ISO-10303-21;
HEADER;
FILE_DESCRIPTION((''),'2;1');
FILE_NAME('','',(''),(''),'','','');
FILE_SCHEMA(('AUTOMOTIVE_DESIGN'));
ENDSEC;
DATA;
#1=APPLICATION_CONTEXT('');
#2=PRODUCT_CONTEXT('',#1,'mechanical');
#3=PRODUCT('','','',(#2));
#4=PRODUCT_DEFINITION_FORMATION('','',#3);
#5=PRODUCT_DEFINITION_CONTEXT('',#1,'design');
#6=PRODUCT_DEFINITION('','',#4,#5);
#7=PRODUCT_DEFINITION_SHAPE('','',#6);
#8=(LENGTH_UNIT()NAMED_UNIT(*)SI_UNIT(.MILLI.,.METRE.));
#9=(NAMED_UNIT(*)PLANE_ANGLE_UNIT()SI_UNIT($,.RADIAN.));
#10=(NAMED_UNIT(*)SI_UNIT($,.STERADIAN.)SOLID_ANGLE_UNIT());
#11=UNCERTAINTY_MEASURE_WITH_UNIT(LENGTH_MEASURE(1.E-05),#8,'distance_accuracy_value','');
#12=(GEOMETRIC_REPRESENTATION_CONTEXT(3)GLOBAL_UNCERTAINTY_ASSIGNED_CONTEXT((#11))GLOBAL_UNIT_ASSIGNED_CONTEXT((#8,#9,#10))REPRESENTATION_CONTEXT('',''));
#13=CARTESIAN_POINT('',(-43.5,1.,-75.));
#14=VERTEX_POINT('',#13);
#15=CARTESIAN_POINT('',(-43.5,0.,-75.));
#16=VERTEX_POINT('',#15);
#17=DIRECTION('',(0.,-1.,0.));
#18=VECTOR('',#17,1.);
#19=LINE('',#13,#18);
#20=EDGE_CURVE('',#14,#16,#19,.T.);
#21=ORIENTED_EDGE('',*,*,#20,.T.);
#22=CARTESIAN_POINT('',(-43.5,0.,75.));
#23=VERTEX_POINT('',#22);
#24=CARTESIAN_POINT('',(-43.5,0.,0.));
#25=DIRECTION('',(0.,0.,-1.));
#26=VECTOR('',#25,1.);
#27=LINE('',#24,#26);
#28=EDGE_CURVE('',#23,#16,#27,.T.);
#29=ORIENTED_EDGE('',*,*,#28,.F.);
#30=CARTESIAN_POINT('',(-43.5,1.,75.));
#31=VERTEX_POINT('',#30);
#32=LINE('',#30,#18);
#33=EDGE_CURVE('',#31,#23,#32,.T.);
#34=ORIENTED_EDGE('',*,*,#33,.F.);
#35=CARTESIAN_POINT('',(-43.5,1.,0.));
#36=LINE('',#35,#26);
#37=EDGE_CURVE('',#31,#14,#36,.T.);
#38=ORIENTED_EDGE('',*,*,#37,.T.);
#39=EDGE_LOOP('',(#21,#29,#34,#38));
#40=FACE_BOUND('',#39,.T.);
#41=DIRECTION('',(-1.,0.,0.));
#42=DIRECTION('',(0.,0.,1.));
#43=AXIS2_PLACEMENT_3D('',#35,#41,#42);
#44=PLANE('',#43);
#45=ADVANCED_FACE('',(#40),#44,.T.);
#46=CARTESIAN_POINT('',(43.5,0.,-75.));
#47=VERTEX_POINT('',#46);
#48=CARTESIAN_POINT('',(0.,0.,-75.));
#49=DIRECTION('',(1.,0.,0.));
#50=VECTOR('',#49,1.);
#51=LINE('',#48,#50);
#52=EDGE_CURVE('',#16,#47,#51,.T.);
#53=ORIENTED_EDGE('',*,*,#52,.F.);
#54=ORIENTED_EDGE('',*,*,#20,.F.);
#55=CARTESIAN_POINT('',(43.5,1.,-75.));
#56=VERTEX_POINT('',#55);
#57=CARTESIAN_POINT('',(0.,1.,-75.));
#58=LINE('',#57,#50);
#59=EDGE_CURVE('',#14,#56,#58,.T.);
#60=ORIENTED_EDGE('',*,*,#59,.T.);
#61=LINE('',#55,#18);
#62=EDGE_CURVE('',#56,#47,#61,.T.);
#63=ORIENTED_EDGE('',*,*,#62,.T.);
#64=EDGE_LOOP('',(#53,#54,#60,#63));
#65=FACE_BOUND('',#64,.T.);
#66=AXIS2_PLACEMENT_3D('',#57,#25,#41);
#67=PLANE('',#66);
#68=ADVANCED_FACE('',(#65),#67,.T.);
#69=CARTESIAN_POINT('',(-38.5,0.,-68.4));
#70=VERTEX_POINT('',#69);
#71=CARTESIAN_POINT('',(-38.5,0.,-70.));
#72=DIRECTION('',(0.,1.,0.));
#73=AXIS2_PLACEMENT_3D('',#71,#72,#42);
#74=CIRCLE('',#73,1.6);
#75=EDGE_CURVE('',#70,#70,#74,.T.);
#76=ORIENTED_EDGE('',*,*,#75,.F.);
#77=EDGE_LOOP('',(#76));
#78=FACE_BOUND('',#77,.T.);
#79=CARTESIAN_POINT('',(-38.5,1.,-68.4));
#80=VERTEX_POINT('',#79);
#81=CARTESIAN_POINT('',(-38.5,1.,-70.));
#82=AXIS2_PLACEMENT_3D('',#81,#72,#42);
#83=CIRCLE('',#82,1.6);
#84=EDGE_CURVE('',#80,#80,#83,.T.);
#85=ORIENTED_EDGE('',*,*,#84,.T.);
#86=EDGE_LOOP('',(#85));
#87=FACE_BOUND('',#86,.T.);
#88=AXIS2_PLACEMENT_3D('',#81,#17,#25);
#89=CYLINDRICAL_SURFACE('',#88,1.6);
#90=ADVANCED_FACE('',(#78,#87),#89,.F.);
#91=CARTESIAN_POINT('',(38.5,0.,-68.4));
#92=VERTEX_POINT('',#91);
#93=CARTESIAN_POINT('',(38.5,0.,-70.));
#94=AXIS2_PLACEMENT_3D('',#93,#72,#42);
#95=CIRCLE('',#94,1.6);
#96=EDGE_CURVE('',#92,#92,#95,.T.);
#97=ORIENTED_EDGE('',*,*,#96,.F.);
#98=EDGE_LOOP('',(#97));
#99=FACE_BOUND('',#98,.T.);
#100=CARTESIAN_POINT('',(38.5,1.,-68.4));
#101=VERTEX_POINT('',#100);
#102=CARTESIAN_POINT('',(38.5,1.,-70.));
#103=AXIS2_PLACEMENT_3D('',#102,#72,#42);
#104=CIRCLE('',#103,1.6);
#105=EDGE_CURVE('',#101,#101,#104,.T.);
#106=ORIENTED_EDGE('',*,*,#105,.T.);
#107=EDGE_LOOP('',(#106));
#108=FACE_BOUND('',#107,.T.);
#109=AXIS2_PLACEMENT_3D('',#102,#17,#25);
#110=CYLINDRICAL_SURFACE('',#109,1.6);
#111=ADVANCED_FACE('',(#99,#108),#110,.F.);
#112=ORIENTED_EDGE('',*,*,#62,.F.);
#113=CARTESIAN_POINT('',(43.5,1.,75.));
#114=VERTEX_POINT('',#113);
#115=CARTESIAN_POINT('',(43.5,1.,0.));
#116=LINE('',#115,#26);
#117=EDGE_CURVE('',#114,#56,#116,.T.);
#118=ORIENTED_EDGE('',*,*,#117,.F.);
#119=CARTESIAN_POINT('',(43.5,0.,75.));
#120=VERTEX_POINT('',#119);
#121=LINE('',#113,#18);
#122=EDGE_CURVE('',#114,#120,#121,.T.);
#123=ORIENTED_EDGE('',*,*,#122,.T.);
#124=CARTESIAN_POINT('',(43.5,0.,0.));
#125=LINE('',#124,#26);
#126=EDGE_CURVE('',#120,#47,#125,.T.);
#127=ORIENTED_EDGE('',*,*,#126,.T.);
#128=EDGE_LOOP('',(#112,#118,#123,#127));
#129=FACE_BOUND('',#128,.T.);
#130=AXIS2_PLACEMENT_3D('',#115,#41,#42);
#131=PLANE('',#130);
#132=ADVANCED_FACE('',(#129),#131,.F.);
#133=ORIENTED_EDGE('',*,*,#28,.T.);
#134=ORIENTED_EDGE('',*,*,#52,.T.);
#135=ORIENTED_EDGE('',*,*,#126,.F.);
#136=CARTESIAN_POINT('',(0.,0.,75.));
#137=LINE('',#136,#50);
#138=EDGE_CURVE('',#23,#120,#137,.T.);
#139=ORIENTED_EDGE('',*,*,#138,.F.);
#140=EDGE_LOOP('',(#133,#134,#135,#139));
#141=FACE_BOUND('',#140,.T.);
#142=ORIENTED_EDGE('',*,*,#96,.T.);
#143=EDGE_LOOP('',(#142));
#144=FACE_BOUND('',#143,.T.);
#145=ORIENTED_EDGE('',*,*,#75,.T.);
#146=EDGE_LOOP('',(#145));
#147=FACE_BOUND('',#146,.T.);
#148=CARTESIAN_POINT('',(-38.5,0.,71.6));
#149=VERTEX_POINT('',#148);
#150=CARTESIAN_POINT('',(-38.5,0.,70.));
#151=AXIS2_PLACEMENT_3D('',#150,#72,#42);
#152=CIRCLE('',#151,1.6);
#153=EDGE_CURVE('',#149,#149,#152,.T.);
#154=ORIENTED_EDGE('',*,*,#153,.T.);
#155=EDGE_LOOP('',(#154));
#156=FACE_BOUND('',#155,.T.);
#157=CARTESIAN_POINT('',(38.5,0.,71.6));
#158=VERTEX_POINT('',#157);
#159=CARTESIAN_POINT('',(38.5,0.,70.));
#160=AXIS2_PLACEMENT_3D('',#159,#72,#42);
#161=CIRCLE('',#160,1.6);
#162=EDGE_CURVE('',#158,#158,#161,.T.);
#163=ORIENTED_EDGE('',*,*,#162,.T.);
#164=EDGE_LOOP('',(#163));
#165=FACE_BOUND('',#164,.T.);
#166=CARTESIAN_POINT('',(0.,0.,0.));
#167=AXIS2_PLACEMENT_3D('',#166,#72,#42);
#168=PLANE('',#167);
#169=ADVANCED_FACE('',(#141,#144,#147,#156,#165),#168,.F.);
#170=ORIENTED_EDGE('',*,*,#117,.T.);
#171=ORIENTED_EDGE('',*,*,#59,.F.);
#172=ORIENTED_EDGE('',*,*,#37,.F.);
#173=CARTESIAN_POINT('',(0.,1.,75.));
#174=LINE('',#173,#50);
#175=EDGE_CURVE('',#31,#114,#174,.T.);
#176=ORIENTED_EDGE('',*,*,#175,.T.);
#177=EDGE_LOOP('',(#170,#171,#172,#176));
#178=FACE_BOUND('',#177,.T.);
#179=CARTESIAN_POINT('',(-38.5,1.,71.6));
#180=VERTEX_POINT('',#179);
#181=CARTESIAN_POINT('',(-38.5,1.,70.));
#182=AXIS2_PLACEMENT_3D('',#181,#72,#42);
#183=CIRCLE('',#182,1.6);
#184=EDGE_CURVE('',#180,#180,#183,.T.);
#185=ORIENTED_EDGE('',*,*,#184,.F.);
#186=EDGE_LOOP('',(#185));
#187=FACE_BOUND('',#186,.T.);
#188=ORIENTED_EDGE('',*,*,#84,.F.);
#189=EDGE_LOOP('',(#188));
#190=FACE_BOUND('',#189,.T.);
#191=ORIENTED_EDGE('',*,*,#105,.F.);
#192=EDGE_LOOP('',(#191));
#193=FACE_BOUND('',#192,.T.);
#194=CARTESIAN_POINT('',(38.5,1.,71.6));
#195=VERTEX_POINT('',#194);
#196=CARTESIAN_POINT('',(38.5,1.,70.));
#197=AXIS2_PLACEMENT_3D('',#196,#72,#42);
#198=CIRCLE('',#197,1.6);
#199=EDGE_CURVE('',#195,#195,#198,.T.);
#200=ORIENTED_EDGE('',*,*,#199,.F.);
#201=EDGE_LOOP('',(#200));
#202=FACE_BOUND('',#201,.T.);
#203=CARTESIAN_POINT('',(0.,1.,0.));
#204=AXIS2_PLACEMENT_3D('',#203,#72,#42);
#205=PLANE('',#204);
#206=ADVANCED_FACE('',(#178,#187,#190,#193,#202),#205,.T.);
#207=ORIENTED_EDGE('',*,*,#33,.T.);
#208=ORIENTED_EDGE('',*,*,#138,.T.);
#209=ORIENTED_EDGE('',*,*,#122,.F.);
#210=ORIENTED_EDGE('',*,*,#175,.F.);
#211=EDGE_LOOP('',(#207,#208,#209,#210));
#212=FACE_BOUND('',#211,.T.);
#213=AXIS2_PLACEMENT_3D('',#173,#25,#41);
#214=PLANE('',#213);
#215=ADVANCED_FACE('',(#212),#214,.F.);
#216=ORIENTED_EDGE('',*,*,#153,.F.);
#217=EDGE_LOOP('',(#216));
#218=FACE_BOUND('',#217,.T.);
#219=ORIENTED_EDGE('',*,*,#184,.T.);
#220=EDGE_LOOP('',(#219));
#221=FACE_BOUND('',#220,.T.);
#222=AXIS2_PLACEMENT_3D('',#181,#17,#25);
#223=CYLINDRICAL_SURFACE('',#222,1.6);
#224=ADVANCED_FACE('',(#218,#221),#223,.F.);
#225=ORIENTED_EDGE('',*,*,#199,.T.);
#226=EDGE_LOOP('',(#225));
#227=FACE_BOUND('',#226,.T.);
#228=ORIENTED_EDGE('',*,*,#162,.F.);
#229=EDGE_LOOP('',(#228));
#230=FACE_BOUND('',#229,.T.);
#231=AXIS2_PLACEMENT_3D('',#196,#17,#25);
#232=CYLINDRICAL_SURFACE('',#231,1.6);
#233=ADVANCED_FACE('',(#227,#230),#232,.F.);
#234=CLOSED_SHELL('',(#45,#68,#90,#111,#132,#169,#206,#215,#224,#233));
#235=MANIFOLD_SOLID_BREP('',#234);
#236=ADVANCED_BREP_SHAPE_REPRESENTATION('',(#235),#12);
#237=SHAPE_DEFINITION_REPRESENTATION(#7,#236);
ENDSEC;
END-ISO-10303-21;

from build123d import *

# Parameters (mm, degrees)
SKETCH1_W           = 87
SKETCH1_H           = 150
SKETCH1_R           = 1.6
BOSS_EXTRUDE1_DEPTH = 1


with BuildPart() as part:
    # Sketch1 → Boss-Extrude1 (new body)
    with BuildSketch(Plane(origin=(0, 0, 0), x_dir=(1, 0, 0), z_dir=(0, 1, 0))):
        Rectangle(SKETCH1_W, SKETCH1_H)
        with Locations(Location((-38.5, 70, 0), (0, 0, 270))):
            Circle(SKETCH1_R, mode=Mode.SUBTRACT)
        with Locations(Location((38.5, 70, 0), (0, 0, 270))):
            Circle(SKETCH1_R, mode=Mode.SUBTRACT)
        with Locations(Location((38.5, -70, 0), (0, 0, 270))):
            Circle(SKETCH1_R, mode=Mode.SUBTRACT)
        with Locations(Location((-38.5, -70, 0), (0, 0, 270))):
            Circle(SKETCH1_R, mode=Mode.SUBTRACT)
    extrude(amount=BOSS_EXTRUDE1_DEPTH)


solid = part.part
